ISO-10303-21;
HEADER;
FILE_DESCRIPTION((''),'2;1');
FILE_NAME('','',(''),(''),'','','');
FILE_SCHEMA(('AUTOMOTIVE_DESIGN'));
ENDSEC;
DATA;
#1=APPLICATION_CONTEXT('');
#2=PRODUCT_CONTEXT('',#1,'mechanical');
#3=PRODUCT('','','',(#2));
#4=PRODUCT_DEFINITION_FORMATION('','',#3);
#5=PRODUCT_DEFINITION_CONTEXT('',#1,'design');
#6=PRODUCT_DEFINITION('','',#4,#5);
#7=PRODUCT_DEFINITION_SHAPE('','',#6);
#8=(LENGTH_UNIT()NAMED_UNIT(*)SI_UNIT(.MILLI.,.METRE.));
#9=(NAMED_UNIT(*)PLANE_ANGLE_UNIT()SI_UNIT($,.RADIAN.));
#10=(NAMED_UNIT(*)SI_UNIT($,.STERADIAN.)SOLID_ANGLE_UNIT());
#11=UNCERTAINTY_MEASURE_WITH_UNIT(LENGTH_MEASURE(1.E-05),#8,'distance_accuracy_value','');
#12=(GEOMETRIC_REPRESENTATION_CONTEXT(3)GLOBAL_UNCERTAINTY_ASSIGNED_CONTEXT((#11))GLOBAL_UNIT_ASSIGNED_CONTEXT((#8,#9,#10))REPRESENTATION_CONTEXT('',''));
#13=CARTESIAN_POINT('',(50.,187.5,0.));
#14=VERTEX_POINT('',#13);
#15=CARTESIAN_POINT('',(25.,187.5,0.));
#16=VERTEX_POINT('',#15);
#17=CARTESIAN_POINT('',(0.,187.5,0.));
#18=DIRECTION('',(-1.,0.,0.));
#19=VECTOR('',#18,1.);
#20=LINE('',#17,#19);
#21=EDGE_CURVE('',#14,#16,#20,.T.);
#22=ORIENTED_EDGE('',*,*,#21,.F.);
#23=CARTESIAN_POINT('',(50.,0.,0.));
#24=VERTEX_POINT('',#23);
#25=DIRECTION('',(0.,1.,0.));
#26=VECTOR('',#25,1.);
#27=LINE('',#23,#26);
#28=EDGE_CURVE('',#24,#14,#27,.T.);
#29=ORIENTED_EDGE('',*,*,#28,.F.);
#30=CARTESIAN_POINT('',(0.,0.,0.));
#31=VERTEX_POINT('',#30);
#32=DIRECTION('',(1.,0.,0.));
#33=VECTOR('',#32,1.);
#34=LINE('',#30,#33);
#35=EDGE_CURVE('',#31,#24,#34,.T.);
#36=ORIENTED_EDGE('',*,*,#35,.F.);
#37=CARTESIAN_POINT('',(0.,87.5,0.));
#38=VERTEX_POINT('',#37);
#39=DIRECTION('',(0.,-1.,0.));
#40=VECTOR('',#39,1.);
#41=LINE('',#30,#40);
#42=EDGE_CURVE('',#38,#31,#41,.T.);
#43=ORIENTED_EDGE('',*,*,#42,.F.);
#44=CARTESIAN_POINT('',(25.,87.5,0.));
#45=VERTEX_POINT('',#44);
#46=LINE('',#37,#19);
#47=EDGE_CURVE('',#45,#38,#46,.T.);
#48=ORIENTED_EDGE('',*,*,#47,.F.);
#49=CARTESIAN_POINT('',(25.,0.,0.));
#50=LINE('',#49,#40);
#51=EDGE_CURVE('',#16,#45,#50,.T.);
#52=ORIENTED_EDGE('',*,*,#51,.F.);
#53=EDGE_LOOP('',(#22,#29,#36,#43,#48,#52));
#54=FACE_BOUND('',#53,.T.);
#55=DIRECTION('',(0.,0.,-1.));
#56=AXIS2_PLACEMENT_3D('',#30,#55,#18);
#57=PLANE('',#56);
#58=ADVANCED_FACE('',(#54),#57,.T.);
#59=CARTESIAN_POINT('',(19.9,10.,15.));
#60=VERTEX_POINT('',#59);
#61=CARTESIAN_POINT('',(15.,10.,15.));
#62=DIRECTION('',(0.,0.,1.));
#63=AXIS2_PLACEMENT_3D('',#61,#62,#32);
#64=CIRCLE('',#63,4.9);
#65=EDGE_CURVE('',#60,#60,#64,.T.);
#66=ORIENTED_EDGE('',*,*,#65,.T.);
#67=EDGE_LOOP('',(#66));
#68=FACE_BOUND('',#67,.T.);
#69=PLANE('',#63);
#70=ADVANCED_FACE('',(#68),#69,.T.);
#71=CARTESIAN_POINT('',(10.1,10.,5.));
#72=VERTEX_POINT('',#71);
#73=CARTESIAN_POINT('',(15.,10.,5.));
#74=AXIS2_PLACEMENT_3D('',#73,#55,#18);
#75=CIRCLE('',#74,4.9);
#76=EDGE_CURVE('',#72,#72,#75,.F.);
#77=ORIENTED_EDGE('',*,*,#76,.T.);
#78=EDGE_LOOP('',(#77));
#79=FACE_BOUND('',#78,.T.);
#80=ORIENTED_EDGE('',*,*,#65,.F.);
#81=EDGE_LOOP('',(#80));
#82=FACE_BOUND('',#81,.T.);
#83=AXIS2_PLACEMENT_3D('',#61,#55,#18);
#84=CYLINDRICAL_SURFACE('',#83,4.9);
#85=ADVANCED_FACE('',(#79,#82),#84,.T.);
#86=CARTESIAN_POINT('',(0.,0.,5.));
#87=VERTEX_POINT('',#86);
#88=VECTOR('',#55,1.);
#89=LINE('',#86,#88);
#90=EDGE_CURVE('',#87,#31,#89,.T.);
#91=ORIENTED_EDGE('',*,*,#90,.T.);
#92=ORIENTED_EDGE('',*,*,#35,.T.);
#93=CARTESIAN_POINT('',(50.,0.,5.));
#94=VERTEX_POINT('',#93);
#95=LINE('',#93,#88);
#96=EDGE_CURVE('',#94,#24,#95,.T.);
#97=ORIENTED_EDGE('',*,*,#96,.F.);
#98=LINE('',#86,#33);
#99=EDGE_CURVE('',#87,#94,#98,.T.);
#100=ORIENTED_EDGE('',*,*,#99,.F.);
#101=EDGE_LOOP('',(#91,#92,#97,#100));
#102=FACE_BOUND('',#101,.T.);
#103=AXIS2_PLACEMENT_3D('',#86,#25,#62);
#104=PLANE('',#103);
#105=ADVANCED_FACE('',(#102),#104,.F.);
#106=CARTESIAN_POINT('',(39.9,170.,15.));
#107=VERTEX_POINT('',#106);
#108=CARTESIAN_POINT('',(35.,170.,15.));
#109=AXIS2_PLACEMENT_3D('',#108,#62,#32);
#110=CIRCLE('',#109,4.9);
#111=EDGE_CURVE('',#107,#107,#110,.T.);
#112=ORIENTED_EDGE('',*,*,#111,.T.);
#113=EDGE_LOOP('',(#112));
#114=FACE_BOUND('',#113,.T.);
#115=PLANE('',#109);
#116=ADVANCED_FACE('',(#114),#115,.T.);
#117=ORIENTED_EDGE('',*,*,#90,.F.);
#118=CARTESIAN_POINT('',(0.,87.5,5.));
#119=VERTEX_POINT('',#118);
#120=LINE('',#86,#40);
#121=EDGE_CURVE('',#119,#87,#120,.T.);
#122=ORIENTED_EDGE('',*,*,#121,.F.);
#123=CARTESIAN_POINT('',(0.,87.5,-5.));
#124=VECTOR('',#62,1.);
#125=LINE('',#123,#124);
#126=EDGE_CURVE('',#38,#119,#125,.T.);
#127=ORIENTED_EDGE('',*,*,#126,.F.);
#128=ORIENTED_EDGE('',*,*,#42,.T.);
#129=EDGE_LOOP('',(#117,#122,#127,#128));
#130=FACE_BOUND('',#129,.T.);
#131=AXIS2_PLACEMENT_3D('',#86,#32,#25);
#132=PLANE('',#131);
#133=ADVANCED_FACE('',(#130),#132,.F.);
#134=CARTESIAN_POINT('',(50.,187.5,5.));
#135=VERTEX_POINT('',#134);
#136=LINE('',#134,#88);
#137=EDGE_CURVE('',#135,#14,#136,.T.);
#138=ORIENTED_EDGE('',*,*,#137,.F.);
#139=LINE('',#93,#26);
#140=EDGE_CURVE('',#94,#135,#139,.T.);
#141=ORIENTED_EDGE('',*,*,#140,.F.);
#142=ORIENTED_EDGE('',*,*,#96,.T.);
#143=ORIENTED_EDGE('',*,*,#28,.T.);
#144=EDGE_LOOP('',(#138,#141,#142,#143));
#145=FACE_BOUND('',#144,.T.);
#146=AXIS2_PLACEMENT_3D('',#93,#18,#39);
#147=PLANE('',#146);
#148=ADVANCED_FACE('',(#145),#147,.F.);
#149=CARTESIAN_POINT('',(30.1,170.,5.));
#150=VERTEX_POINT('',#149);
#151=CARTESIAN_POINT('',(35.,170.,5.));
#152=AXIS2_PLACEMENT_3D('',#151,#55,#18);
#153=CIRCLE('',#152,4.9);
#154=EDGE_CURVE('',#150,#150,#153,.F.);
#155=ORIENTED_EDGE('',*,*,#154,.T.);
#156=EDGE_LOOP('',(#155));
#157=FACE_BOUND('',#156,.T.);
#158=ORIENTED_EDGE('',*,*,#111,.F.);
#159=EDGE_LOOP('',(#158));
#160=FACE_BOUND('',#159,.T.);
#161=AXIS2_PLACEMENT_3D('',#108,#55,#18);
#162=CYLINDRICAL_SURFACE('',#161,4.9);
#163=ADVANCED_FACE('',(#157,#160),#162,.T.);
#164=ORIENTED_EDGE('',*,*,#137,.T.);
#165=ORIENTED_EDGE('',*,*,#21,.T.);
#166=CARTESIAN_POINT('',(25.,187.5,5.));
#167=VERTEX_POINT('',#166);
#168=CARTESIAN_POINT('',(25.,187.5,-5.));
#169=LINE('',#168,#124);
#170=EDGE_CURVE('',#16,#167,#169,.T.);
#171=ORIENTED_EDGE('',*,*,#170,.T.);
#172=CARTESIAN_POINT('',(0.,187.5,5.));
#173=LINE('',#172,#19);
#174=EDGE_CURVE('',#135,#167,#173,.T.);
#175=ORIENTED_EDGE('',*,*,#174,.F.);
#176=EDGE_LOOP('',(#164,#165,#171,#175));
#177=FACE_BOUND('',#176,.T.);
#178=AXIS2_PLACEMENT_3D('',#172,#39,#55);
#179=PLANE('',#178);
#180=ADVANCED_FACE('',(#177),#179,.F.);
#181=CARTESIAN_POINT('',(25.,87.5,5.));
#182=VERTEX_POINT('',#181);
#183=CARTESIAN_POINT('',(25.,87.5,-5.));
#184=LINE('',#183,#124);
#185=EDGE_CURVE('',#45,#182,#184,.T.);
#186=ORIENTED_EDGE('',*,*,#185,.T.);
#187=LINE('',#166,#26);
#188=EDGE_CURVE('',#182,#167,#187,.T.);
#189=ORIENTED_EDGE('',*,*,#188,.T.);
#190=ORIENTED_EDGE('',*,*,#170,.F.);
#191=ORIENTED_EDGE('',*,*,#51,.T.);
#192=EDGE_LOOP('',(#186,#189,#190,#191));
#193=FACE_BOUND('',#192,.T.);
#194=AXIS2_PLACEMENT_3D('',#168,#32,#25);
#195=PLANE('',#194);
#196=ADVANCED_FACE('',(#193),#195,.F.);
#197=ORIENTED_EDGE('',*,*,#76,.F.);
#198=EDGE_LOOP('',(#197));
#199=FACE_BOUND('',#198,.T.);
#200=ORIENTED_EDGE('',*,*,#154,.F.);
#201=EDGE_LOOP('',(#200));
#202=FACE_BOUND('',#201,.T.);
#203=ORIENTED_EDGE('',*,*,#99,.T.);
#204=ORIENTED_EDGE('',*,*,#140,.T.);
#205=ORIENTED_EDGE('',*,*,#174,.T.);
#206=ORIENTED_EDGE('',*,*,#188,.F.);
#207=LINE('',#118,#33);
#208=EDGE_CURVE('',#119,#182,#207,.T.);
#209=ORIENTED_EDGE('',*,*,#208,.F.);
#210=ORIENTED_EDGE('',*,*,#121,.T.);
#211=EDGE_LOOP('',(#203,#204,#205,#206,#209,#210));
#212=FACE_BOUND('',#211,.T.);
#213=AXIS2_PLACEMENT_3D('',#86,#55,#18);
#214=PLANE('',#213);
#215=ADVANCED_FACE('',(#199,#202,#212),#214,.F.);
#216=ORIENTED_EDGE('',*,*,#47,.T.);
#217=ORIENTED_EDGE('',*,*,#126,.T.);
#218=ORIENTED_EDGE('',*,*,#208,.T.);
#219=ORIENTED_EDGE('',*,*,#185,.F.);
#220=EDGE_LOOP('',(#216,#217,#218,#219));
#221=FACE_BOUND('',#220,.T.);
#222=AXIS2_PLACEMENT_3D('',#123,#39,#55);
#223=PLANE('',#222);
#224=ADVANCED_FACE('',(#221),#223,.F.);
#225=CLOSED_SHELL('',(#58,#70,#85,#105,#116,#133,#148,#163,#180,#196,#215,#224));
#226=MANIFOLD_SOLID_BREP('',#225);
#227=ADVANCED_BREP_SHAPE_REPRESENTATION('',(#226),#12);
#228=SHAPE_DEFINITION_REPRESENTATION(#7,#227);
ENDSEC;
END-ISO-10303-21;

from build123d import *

# Parameters (mm, degrees)
SKETCH1_W           = 50
SKETCH1_H           = 187.5
BOSS_EXTRUDE1_DEPTH = 5
SKETCH2_R           = 4.9
BOSS_EXTRUDE2_DEPTH = 10
SKETCH3_W           = 25
SKETCH3_H           = 100
CUT_EXTRUDE1_DEPTH  = 10


with BuildPart() as part:
    # Sketch1 → Boss-Extrude1 (new body)
    with BuildSketch(Plane.XY):
        with Locations((25, 93.75)):
            Rectangle(SKETCH1_W, SKETCH1_H)
    extrude(amount=BOSS_EXTRUDE1_DEPTH)

    # Sketch2 → Boss-Extrude2 (add)
    with BuildSketch(Plane.XY.offset(5)):
        with Locations(Location((15, 10, 0), (0, 0, 180))):
            Circle(SKETCH2_R)
        with Locations(Location((35, 170, 0), (0, 0, 180))):
            Circle(SKETCH2_R)
    extrude(amount=BOSS_EXTRUDE2_DEPTH)

    # Sketch3 → Cut-Extrude1 (cut)
    with BuildSketch(Plane.XY.offset(5)):
        with Locations((12.5, 137.5)):
            Rectangle(SKETCH3_W, SKETCH3_H)
    extrude(amount=-CUT_EXTRUDE1_DEPTH, mode=Mode.SUBTRACT)


solid = part.part
